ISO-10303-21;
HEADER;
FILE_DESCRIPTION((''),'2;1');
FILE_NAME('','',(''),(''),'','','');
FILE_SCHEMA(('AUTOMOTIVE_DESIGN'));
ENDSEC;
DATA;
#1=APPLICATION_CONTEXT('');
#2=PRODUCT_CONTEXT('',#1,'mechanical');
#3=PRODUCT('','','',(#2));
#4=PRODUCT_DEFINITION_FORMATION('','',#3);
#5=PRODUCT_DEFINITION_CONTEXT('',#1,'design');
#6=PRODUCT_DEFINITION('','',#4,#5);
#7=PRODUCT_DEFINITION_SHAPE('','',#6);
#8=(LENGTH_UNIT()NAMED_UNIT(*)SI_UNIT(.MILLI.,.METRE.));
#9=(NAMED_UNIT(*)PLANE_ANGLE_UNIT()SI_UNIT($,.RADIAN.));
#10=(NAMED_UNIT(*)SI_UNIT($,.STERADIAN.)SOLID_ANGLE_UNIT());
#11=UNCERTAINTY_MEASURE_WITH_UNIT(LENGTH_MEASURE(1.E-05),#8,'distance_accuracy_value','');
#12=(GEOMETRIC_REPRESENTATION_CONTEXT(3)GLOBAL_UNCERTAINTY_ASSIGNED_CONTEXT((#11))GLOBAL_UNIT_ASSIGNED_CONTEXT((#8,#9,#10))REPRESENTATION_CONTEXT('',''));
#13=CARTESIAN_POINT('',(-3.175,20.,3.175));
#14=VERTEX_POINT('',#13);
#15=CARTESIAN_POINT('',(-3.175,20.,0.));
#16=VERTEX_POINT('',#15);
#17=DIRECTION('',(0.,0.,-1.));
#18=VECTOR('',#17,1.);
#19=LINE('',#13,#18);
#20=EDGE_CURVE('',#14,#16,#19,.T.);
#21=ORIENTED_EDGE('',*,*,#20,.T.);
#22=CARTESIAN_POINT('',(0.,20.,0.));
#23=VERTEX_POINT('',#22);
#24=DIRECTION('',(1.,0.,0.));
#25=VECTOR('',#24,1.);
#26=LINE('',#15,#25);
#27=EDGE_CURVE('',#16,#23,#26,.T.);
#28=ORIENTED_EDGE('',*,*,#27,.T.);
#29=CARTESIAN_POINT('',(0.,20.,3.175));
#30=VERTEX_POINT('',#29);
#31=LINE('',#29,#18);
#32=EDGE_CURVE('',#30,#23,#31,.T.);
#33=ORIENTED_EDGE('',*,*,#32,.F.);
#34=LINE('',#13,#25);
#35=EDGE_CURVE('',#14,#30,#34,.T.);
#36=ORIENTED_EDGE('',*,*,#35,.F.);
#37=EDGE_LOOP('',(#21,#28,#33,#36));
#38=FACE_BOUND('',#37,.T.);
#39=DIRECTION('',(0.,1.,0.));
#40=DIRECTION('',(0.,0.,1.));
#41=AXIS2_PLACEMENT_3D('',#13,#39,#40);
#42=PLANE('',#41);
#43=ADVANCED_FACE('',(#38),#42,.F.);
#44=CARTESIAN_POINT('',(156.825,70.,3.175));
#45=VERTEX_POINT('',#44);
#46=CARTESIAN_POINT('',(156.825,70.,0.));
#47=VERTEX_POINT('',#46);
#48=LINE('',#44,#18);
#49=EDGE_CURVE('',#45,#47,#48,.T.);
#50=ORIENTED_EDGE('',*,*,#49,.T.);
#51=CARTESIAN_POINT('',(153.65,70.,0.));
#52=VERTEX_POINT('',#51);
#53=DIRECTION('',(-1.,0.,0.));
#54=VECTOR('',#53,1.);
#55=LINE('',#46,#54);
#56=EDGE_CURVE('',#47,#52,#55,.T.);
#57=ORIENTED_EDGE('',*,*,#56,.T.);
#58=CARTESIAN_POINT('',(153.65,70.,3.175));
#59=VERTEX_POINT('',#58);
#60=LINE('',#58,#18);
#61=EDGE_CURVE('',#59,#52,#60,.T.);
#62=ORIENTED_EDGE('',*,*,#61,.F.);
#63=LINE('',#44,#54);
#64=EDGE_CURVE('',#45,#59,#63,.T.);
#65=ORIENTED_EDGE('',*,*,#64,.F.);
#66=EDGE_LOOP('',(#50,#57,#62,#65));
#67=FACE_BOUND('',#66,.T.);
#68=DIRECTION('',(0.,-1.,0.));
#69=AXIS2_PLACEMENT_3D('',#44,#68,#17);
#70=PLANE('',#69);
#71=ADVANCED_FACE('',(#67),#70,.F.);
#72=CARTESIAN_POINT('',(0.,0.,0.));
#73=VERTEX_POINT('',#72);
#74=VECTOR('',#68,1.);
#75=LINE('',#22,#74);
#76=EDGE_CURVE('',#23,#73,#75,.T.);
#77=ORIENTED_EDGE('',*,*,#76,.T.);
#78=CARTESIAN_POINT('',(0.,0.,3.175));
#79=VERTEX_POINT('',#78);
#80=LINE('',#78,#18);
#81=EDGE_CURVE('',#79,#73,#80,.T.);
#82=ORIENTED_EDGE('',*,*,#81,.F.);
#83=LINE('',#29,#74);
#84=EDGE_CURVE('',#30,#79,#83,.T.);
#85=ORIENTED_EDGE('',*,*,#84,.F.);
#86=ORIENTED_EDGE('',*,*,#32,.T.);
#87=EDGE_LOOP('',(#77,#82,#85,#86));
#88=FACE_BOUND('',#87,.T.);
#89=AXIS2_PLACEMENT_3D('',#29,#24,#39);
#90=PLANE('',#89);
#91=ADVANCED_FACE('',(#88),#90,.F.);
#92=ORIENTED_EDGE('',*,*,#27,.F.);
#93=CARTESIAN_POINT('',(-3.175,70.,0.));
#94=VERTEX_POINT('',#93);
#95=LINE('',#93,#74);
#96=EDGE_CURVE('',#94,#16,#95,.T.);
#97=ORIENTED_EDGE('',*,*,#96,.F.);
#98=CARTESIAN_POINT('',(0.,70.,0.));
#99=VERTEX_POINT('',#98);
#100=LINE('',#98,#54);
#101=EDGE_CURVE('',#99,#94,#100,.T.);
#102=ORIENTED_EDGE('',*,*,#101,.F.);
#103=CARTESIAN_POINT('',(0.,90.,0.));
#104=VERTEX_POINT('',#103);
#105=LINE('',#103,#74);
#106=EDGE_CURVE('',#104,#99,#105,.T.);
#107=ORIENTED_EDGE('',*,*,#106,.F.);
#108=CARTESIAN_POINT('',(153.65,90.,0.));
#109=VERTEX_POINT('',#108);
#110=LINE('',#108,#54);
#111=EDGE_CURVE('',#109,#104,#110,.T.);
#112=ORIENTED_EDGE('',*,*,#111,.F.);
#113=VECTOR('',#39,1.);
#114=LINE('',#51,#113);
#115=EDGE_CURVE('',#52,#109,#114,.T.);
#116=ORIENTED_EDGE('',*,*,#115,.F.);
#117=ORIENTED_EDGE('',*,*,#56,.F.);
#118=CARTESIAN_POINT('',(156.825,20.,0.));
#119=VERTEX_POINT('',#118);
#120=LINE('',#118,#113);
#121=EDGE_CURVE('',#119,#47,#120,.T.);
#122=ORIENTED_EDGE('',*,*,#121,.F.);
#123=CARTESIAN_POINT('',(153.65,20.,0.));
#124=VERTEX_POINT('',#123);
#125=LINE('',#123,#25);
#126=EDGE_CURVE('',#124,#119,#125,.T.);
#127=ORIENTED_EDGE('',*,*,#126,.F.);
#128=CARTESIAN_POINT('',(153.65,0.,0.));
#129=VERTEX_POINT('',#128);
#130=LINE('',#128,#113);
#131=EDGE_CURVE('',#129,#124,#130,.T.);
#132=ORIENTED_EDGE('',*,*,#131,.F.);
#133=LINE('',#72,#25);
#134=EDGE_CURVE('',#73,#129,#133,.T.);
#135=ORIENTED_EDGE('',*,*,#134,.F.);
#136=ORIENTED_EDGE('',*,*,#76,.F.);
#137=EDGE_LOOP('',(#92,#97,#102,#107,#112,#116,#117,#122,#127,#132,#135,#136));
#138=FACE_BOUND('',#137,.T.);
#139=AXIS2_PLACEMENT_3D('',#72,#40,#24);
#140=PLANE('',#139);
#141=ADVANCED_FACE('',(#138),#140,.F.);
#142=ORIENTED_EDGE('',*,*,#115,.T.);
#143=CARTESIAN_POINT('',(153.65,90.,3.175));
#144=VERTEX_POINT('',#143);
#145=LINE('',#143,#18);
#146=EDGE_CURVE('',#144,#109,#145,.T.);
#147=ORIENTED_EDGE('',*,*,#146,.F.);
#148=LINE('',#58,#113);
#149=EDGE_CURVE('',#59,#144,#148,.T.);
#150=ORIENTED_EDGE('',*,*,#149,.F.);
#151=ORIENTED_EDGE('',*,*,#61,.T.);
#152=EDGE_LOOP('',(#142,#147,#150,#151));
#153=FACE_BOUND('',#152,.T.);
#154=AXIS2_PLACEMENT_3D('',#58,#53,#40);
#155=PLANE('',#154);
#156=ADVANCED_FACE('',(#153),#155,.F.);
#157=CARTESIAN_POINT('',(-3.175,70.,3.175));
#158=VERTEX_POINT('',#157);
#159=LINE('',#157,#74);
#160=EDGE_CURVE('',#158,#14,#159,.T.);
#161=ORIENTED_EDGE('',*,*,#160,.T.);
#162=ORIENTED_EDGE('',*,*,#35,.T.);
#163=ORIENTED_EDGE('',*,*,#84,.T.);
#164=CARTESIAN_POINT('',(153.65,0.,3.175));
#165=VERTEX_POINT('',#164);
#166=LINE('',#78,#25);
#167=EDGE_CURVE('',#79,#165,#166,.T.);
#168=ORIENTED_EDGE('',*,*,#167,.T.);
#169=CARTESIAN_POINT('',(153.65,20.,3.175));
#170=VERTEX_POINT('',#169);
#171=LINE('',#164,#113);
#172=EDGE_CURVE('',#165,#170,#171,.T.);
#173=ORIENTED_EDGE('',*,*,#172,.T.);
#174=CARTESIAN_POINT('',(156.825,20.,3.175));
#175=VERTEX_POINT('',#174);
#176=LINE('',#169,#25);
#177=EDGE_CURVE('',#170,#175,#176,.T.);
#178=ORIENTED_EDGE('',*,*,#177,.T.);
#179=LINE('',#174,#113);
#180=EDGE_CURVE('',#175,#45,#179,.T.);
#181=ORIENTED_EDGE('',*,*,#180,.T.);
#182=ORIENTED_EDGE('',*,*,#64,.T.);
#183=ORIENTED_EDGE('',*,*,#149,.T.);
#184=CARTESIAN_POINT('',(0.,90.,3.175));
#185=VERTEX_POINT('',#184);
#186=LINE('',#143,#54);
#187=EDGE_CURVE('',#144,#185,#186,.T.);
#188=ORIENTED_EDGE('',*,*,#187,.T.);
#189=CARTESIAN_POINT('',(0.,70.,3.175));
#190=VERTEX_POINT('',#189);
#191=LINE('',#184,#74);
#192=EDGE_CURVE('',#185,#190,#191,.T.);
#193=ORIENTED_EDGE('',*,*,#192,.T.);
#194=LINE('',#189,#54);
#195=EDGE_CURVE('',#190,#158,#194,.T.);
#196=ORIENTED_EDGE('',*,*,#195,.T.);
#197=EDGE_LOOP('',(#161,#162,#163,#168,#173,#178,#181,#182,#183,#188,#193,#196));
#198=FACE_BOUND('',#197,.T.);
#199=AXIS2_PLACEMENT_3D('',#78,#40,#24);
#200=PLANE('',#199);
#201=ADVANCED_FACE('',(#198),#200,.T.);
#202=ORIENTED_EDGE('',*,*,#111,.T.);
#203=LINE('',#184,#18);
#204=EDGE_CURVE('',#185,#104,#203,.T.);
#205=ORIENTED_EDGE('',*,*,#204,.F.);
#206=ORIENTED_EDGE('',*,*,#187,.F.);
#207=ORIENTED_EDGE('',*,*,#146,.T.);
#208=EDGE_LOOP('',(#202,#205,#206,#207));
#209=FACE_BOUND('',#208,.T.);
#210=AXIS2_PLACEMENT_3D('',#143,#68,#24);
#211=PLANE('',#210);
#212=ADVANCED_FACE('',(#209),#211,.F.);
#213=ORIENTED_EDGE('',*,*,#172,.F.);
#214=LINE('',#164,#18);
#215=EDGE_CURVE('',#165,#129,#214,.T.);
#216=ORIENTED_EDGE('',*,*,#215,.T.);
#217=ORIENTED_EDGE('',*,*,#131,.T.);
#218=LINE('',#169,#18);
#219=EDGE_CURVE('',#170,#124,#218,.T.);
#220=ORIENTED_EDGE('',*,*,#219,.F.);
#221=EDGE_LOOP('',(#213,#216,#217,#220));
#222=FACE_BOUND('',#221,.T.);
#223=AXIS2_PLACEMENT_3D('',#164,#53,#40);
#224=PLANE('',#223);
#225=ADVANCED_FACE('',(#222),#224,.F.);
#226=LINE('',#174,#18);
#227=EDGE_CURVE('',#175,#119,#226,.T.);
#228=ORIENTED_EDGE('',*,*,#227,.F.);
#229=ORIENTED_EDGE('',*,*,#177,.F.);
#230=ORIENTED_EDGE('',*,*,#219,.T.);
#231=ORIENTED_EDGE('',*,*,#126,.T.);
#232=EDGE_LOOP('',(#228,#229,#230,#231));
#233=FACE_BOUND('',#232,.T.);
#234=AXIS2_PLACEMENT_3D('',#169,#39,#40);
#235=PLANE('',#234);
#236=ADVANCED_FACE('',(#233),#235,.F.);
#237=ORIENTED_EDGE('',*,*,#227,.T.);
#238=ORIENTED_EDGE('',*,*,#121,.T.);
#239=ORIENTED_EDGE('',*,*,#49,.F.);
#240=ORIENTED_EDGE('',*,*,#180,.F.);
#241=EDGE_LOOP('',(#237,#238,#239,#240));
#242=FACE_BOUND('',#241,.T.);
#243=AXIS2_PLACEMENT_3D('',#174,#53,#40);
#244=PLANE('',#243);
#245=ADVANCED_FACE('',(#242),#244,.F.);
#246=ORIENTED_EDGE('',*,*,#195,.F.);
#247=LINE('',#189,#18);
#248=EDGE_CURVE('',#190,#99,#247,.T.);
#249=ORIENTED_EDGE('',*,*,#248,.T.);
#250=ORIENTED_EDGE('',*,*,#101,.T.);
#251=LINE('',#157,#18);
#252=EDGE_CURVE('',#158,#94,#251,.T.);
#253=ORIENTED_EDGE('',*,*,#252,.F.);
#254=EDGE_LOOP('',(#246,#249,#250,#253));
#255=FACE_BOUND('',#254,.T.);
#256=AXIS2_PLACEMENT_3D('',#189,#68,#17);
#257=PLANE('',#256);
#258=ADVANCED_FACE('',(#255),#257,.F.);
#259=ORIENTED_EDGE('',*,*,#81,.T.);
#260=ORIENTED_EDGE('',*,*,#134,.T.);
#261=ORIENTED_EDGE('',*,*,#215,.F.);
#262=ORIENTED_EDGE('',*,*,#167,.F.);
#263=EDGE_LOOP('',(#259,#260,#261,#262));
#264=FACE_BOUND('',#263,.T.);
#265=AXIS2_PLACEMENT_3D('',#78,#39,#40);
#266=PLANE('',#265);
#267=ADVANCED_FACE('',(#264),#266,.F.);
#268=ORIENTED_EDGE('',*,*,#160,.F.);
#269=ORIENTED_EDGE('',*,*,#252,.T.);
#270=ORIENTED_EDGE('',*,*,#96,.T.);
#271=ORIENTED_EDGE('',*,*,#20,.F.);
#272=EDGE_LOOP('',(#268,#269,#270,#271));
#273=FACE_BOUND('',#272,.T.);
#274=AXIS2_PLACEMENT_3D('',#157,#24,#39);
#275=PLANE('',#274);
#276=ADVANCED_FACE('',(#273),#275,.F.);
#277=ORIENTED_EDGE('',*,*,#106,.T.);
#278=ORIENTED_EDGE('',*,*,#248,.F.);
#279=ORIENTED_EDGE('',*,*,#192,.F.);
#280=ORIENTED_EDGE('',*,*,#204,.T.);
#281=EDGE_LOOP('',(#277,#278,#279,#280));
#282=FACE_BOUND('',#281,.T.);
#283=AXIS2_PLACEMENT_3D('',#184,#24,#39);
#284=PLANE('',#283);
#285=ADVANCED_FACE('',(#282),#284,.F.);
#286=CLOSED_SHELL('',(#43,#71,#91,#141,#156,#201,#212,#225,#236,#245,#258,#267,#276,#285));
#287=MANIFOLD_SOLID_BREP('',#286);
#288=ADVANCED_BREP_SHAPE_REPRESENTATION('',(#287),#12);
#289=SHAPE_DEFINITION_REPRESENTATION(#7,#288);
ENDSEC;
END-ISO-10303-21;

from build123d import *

# Parameters (mm, degrees)
BOSS_EXTRUDE1_DEPTH = 3.175


with BuildPart() as part:
    # Sketch1 → Boss-Extrude1 (new body)
    with BuildSketch(Plane.XY):
        Polygon((0, 0), (153.65, 0), (153.65, 20), (156.825, 20), (156.825, 70), (153.65, 70), (153.65, 90), (0, 90), (0, 70), (-3.175, 70), (-3.175, 20), (0, 20), align=None)
    extrude(amount=BOSS_EXTRUDE1_DEPTH)


solid = part.part
